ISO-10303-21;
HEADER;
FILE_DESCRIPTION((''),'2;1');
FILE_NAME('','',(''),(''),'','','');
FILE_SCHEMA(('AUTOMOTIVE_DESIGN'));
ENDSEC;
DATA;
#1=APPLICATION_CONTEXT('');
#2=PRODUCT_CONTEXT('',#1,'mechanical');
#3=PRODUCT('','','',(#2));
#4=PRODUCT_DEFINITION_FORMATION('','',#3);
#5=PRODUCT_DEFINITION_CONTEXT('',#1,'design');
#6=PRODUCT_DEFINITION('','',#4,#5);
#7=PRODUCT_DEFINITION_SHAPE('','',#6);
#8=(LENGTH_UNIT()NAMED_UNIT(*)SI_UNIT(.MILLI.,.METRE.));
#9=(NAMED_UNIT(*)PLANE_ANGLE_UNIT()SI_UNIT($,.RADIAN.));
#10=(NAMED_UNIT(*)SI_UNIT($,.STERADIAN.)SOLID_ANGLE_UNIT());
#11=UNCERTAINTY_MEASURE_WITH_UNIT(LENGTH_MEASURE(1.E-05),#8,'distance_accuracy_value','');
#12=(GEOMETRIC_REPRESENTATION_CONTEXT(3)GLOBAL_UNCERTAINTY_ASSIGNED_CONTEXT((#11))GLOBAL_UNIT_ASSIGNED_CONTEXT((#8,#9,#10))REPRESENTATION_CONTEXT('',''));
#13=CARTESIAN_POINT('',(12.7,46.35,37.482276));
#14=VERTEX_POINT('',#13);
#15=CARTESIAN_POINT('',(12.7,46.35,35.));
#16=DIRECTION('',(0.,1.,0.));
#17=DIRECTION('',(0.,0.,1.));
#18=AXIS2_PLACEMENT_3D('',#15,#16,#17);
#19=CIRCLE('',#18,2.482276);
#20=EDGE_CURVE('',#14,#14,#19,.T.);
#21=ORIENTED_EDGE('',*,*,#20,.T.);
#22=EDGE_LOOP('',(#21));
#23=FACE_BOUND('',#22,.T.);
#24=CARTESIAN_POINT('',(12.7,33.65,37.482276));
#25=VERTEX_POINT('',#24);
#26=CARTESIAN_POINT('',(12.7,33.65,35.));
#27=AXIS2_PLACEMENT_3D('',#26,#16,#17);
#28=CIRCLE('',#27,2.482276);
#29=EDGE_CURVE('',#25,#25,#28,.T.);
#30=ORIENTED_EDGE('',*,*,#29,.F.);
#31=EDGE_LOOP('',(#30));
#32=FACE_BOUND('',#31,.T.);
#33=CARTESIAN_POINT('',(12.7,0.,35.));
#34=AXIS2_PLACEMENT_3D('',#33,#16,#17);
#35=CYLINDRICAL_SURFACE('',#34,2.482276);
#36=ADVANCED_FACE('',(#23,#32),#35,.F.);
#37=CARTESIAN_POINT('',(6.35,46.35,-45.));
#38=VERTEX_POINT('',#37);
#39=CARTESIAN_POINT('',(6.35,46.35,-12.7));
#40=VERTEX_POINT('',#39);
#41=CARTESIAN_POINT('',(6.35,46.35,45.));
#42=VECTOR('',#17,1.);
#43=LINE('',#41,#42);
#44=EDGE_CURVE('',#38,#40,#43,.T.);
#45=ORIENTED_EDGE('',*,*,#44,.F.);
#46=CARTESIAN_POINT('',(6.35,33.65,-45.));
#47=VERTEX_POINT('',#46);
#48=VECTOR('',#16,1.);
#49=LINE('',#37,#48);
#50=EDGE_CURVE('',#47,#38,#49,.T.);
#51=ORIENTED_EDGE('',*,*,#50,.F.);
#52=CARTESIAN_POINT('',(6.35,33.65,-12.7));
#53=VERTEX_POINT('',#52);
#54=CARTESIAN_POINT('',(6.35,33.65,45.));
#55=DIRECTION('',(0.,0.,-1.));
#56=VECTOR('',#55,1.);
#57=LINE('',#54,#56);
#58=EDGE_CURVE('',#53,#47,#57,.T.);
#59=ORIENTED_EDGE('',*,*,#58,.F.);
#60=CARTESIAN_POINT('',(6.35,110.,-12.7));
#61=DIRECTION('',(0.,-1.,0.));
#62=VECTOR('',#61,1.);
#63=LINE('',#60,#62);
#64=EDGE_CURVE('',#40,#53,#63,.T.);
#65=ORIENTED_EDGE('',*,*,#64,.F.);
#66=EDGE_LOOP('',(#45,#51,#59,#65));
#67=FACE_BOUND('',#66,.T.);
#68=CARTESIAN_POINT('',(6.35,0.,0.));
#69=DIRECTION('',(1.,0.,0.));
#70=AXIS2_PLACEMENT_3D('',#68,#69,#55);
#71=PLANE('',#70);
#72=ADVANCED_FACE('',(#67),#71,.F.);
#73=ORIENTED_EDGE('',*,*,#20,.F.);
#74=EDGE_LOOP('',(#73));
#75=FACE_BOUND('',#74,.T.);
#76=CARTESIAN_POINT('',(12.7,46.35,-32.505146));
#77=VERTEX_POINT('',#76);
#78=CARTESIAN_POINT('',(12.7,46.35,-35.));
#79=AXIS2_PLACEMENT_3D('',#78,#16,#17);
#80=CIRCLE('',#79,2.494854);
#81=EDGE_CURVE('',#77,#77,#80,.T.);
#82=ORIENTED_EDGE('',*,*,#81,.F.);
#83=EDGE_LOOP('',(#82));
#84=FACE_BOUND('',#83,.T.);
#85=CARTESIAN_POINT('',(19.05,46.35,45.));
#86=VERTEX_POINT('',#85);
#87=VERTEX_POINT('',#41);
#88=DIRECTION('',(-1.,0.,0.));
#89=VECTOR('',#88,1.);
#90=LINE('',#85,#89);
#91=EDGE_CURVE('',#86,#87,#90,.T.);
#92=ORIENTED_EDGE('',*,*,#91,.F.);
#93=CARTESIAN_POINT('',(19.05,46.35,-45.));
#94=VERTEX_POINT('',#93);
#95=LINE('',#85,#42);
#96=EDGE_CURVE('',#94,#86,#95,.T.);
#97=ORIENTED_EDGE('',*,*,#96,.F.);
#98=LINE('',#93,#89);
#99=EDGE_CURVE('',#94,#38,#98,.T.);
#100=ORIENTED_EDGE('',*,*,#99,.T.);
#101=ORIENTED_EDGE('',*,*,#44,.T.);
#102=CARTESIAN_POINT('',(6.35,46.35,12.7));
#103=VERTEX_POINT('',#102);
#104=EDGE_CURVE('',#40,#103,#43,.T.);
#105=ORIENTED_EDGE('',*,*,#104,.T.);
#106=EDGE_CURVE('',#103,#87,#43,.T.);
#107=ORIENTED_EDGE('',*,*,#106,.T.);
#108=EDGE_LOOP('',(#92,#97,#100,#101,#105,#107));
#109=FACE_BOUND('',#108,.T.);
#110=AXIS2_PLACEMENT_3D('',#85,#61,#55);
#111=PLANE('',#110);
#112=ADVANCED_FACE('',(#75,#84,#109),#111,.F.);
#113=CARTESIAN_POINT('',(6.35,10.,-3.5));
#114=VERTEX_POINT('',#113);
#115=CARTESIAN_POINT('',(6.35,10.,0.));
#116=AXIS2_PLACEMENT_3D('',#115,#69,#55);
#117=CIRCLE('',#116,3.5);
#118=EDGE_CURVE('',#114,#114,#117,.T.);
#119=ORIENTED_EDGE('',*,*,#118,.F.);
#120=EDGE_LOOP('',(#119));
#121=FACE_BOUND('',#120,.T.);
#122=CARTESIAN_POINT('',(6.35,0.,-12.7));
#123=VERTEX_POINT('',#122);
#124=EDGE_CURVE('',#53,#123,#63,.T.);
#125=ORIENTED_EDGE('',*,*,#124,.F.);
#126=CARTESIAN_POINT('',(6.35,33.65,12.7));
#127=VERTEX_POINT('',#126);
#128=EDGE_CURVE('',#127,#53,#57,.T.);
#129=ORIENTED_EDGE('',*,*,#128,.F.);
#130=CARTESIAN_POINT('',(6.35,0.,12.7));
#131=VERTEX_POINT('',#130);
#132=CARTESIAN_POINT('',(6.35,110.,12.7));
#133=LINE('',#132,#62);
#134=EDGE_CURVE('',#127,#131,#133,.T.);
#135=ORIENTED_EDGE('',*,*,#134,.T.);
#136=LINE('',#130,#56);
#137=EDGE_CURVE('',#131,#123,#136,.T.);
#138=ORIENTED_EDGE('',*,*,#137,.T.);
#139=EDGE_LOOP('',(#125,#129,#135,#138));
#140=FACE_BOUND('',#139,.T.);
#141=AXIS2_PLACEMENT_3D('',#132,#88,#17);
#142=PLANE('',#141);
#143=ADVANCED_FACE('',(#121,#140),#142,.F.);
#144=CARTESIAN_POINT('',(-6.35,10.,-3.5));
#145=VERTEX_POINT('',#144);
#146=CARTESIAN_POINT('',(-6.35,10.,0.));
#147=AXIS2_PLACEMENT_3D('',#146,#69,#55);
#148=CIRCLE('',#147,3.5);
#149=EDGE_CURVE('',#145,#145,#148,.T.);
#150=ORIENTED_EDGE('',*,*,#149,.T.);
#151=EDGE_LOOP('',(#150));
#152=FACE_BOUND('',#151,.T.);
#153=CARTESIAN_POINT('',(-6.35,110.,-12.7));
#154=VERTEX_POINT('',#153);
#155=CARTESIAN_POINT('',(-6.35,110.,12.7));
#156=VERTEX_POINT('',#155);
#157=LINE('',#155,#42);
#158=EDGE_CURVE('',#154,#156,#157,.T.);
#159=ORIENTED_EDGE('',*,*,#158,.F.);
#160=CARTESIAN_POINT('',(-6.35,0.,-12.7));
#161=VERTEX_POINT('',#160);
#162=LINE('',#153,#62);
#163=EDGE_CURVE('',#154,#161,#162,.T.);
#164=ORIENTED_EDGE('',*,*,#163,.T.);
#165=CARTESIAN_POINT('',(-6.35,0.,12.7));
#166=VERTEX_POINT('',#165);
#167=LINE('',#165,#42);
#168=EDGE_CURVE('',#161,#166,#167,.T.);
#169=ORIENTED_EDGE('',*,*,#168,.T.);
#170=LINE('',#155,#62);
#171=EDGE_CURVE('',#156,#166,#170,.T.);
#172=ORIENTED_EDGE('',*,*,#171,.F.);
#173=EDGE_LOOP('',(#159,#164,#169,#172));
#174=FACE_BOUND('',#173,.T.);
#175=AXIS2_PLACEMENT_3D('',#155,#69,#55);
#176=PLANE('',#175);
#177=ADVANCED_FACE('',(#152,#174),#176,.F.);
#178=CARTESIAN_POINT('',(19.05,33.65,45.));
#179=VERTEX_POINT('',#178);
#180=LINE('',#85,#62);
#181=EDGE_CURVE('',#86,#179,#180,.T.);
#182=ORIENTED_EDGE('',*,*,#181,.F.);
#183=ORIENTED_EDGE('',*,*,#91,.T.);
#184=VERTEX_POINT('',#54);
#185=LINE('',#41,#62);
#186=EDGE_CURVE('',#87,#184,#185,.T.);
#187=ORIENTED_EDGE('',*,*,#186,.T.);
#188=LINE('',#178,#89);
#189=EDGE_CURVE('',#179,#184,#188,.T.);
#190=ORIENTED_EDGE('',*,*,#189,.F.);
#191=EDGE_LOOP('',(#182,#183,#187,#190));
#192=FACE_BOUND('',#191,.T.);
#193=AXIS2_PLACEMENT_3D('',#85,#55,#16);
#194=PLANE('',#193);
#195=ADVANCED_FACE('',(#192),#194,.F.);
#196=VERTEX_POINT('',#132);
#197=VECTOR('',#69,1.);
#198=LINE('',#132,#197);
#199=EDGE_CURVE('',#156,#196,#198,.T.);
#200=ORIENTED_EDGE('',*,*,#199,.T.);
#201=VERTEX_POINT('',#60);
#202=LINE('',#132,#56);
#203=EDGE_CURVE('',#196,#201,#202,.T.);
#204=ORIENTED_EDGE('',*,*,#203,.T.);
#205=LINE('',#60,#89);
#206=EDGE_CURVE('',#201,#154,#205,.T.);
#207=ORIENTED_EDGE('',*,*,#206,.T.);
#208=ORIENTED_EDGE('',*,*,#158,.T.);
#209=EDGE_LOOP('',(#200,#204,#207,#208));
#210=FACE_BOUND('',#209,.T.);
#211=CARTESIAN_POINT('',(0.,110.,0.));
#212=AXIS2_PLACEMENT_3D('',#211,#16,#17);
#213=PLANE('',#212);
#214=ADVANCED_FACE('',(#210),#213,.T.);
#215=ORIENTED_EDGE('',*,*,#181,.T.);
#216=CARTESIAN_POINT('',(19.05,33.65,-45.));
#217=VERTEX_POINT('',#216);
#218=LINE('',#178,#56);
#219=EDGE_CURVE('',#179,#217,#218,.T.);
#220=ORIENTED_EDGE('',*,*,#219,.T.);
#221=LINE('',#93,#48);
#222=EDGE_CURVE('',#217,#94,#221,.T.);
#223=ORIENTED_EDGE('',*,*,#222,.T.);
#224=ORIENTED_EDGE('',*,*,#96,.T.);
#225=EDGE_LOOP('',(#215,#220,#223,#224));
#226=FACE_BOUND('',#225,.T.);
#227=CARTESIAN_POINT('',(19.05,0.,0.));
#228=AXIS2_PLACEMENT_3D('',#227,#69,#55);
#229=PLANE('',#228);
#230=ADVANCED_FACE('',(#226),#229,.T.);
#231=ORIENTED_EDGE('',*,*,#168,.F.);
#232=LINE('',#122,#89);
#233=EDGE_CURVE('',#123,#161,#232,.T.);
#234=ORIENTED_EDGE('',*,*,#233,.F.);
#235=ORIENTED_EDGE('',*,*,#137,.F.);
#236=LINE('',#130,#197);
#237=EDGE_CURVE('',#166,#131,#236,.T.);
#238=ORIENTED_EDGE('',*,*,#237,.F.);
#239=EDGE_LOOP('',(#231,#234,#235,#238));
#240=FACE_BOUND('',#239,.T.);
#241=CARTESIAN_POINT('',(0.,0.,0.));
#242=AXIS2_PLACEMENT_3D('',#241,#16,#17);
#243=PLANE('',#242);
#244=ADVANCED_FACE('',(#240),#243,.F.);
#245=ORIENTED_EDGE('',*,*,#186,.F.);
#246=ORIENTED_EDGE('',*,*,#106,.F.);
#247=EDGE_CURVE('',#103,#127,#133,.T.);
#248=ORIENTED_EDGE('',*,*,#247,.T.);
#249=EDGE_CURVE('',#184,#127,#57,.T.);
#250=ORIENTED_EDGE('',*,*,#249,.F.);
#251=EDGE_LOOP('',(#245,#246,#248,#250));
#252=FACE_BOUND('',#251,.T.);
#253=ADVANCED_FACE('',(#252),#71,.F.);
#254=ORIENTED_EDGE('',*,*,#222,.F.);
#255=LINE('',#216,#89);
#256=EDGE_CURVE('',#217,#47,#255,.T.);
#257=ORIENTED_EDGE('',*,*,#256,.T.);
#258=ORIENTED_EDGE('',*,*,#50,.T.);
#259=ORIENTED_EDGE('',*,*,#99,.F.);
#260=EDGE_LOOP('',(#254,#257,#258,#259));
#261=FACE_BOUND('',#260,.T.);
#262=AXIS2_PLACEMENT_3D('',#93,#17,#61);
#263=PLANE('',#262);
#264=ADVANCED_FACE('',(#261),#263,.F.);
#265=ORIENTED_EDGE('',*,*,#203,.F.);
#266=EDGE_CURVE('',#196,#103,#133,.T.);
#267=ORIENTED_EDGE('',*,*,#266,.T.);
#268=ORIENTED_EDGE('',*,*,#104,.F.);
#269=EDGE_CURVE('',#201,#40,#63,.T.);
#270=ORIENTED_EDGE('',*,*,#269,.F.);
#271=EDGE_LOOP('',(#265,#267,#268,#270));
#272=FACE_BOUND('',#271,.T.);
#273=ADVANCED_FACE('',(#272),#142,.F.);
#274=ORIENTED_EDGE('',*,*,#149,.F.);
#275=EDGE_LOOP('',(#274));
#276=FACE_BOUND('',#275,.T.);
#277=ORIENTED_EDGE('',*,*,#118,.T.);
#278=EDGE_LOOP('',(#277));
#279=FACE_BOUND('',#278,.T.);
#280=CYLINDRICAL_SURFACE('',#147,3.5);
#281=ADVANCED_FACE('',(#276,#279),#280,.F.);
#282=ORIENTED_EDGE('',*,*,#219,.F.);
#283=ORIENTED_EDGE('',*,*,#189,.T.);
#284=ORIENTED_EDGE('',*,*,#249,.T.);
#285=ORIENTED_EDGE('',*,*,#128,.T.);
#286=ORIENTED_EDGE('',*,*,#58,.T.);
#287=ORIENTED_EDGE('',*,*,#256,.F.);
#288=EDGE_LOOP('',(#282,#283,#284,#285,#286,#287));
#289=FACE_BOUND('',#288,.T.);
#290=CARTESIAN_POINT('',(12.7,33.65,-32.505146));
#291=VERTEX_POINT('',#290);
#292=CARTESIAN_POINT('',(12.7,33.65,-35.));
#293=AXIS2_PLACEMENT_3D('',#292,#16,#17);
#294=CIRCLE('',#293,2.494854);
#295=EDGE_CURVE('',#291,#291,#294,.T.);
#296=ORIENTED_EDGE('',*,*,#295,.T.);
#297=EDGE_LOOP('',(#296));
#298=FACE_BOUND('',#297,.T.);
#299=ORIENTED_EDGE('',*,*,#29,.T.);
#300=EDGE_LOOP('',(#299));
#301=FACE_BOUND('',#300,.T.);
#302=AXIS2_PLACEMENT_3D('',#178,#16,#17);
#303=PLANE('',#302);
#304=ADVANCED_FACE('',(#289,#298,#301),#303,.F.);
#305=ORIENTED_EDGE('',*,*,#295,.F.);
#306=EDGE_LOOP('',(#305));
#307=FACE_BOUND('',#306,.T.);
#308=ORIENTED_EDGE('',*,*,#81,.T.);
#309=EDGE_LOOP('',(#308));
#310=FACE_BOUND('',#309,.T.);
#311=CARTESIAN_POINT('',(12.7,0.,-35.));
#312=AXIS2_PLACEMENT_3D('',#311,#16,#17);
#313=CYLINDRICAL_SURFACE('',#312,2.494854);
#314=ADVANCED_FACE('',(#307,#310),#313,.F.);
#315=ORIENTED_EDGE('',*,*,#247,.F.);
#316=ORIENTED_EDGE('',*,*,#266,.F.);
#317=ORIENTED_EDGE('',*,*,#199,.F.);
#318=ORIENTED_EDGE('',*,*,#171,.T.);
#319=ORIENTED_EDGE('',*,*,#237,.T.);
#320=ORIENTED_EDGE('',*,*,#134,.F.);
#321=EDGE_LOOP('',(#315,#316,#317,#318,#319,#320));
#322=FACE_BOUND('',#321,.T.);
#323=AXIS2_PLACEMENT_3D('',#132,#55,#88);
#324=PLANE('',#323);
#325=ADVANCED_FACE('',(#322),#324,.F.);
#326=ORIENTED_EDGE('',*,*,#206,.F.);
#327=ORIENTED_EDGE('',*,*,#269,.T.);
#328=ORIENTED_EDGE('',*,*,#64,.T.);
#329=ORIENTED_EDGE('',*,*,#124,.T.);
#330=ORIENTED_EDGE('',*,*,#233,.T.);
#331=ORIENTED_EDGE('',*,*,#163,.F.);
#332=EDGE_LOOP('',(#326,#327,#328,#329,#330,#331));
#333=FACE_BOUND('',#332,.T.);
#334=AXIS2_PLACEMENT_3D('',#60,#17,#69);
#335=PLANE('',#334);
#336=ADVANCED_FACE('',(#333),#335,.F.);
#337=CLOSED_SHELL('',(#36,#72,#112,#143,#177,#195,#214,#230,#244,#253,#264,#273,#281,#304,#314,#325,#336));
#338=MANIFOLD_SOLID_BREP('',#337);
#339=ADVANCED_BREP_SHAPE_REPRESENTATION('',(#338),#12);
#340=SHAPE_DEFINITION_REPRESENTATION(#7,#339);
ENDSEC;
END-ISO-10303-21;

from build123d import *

# Parameters (mm, degrees)
CROQUIS1_W              = 12.7
CROQUIS1_H              = 25.4
SALIENTE_EXTRUIR1_DEPTH = 110
CROQUIS2_W              = 90
CROQUIS2_H              = 12.7
SALIENTE_EXTRUIR2_DEPTH = 12.7
CROQUIS3_R              = 3.5
CORTAR_EXTRUIR1_DEPTH   = 120.525269295
CROQUIS4_R              = 2.494853736
CROQUIS4_R_2            = 2.482276025
CORTAR_EXTRUIR2_DEPTH   = 81.244781762


with BuildPart() as part:
    # Croquis1 → Saliente-Extruir1 (new body)
    with BuildSketch(Plane(origin=(0, 0, 0), x_dir=(1, 0, 0), z_dir=(0, 1, 0))):
        Rectangle(CROQUIS1_W, CROQUIS1_H)
    extrude(amount=SALIENTE_EXTRUIR1_DEPTH)

    # Croquis2 → Saliente-Extruir2 (add)
    with BuildSketch(Plane(origin=(6.35, 0, 0), x_dir=(0, 0, -1), z_dir=(1, 0, 0))):
        with Locations((0, 40)):
            Rectangle(CROQUIS2_W, CROQUIS2_H)
    extrude(amount=SALIENTE_EXTRUIR2_DEPTH)

    # Croquis3 → Cortar-Extruir1 (cut, through all)
    with BuildSketch(Plane(origin=(6.35, 0, 0), x_dir=(0, 0, -1), z_dir=(1, 0, 0))):
        with Locations((0, 10)):
            Circle(CROQUIS3_R)
    extrude(amount=-CORTAR_EXTRUIR1_DEPTH, mode=Mode.SUBTRACT)

    # Croquis4 → Cortar-Extruir2 (cut, through all)
    with BuildSketch(Plane(origin=(0, 46.35, 0), x_dir=(1, 0, 0), z_dir=(0, 1, 0))):
        with Locations(Location((12.7, 35, 0), (0, 0, 270))):
            Circle(CROQUIS4_R)
        with Locations(Location((12.7, -35, 0), (0, 0, 270))):
            Circle(CROQUIS4_R_2)
    extrude(amount=-CORTAR_EXTRUIR2_DEPTH, mode=Mode.SUBTRACT)


solid = part.part
